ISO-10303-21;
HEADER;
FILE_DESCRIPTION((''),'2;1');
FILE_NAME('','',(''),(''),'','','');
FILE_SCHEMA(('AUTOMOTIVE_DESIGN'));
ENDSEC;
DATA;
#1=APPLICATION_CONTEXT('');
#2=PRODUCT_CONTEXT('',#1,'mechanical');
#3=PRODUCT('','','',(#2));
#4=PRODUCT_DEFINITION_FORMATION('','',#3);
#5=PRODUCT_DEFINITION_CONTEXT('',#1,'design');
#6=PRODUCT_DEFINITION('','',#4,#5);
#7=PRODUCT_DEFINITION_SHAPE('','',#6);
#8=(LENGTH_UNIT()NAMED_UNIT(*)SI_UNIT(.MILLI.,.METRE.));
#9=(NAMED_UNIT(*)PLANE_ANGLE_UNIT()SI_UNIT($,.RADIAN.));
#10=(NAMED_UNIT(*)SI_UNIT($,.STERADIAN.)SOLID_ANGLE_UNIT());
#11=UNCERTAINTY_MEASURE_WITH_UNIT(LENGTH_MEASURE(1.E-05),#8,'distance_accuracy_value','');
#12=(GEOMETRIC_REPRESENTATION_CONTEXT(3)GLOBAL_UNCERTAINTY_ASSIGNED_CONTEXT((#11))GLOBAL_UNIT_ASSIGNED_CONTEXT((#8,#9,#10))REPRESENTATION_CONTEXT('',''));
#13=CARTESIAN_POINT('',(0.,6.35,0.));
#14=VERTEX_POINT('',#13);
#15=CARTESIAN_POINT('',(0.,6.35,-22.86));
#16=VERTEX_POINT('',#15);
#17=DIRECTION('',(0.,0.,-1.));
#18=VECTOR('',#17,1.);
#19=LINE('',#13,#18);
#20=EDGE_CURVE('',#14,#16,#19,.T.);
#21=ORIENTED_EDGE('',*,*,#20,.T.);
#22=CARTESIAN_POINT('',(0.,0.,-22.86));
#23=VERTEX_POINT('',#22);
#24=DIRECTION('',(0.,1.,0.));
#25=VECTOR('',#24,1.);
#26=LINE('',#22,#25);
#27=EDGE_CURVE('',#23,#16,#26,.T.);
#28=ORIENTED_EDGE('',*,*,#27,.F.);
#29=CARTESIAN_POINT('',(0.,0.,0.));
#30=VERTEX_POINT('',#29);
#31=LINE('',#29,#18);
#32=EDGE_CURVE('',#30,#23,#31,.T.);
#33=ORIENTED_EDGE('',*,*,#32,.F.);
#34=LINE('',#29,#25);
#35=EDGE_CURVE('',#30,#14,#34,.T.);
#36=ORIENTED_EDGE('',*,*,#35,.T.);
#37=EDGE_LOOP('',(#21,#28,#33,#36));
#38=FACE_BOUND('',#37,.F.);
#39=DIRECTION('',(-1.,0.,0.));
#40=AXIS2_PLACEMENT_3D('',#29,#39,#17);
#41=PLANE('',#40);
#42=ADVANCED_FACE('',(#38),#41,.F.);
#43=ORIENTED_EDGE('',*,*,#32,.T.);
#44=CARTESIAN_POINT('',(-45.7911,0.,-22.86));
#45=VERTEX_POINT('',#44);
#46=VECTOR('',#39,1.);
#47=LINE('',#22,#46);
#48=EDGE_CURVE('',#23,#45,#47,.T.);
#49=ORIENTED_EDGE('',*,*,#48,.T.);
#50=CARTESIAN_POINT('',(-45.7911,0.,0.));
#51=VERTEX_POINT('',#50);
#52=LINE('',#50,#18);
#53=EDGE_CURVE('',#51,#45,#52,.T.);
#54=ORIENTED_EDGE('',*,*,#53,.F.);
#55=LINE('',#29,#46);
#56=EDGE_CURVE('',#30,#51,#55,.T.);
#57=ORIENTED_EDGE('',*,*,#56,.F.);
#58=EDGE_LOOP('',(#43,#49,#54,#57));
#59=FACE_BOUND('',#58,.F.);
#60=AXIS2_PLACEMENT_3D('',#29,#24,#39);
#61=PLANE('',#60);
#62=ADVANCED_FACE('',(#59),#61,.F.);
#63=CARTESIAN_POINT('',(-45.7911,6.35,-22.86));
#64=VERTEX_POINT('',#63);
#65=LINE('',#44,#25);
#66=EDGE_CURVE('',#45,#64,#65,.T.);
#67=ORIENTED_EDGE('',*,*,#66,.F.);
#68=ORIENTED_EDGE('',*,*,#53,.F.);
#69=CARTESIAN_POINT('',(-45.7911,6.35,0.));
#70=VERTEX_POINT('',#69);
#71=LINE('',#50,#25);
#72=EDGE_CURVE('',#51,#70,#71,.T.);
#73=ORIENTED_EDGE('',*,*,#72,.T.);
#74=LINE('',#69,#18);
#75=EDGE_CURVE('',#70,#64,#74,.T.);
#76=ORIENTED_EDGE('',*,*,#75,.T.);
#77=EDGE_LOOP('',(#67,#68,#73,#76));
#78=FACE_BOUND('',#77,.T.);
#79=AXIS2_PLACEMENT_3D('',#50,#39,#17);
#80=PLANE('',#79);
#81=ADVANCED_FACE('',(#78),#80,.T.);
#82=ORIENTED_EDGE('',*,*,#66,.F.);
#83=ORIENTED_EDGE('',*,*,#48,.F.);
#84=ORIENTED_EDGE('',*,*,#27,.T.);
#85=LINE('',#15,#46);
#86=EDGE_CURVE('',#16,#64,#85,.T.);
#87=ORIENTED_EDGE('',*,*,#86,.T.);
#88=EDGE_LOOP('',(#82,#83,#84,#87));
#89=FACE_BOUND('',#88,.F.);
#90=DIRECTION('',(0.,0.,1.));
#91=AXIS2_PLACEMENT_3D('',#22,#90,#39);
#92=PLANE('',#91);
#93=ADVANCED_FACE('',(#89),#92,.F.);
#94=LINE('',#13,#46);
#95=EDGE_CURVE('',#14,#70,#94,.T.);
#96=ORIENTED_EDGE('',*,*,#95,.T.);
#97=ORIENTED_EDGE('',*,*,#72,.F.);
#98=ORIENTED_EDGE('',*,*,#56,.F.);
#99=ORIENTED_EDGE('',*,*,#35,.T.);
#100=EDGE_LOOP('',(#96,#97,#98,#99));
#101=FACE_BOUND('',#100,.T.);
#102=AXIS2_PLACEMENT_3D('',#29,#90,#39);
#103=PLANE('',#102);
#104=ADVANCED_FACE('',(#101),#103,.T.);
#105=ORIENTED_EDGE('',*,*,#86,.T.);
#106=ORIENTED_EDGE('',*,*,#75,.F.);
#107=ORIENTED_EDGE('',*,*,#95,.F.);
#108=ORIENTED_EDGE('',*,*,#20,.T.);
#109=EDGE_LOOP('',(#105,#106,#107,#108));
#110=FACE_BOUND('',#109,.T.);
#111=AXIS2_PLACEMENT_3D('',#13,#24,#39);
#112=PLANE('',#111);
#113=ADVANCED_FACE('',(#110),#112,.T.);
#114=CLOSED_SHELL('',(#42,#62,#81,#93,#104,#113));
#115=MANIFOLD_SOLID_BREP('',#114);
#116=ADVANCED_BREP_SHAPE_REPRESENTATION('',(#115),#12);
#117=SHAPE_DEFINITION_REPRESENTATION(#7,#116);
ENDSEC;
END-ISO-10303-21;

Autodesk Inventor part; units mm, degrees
ref_plane "YZ Plane" through (0, 0, 0) normal (1, 0, 0) x (0, 1, 0)
ref_plane "XZ Plane" through (0, 0, 0) normal (0, 1, 0) x (-1, 0, 0)
ref_plane "XY Plane" through (0, 0, 0) normal (0, 0, 1) x (1, 0, 0)
sketch "Sketch1" plane through (0, 0, 0) normal (0, 1, 0) x (-1, 0, 0)
  line L0 (0, 0) -> (45.7911, 0)
  line L1 (45.7911, 0) -> (45.7911, -22.86)
  line L2 (45.7911, 0) -> (0, 0)
  line L3 (0, 0) -> (0, -22.86)
  line L4 (0, -22.86) -> (45.7911, -22.86)
  line L5 (45.7911, -22.86) -> (45.7911, 0)
  dimension "d0" = 45.7911
  dimension "d1" = 22.86
extrude "Extrusion1" add sketch "Sketch1" along normal blind 6.35
sketch "Sketch2" plane through (0, 6.35, 0) normal (0, 1, 0) x (1, 0, 0)
  line L0 (-42.0648, 21.369) -> (-29.5251, 21.369) construction
  line L1 (-29.5251, 21.369) -> (-29.5251, 5.7143) construction
  line L2 (-29.5251, 5.7143) -> (-42.0648, 5.7143) construction
  line L3 (-42.0648, 5.7143) -> (-42.0648, 21.369) construction
  point P0 (0, 0)
properties part number "MotorController"
